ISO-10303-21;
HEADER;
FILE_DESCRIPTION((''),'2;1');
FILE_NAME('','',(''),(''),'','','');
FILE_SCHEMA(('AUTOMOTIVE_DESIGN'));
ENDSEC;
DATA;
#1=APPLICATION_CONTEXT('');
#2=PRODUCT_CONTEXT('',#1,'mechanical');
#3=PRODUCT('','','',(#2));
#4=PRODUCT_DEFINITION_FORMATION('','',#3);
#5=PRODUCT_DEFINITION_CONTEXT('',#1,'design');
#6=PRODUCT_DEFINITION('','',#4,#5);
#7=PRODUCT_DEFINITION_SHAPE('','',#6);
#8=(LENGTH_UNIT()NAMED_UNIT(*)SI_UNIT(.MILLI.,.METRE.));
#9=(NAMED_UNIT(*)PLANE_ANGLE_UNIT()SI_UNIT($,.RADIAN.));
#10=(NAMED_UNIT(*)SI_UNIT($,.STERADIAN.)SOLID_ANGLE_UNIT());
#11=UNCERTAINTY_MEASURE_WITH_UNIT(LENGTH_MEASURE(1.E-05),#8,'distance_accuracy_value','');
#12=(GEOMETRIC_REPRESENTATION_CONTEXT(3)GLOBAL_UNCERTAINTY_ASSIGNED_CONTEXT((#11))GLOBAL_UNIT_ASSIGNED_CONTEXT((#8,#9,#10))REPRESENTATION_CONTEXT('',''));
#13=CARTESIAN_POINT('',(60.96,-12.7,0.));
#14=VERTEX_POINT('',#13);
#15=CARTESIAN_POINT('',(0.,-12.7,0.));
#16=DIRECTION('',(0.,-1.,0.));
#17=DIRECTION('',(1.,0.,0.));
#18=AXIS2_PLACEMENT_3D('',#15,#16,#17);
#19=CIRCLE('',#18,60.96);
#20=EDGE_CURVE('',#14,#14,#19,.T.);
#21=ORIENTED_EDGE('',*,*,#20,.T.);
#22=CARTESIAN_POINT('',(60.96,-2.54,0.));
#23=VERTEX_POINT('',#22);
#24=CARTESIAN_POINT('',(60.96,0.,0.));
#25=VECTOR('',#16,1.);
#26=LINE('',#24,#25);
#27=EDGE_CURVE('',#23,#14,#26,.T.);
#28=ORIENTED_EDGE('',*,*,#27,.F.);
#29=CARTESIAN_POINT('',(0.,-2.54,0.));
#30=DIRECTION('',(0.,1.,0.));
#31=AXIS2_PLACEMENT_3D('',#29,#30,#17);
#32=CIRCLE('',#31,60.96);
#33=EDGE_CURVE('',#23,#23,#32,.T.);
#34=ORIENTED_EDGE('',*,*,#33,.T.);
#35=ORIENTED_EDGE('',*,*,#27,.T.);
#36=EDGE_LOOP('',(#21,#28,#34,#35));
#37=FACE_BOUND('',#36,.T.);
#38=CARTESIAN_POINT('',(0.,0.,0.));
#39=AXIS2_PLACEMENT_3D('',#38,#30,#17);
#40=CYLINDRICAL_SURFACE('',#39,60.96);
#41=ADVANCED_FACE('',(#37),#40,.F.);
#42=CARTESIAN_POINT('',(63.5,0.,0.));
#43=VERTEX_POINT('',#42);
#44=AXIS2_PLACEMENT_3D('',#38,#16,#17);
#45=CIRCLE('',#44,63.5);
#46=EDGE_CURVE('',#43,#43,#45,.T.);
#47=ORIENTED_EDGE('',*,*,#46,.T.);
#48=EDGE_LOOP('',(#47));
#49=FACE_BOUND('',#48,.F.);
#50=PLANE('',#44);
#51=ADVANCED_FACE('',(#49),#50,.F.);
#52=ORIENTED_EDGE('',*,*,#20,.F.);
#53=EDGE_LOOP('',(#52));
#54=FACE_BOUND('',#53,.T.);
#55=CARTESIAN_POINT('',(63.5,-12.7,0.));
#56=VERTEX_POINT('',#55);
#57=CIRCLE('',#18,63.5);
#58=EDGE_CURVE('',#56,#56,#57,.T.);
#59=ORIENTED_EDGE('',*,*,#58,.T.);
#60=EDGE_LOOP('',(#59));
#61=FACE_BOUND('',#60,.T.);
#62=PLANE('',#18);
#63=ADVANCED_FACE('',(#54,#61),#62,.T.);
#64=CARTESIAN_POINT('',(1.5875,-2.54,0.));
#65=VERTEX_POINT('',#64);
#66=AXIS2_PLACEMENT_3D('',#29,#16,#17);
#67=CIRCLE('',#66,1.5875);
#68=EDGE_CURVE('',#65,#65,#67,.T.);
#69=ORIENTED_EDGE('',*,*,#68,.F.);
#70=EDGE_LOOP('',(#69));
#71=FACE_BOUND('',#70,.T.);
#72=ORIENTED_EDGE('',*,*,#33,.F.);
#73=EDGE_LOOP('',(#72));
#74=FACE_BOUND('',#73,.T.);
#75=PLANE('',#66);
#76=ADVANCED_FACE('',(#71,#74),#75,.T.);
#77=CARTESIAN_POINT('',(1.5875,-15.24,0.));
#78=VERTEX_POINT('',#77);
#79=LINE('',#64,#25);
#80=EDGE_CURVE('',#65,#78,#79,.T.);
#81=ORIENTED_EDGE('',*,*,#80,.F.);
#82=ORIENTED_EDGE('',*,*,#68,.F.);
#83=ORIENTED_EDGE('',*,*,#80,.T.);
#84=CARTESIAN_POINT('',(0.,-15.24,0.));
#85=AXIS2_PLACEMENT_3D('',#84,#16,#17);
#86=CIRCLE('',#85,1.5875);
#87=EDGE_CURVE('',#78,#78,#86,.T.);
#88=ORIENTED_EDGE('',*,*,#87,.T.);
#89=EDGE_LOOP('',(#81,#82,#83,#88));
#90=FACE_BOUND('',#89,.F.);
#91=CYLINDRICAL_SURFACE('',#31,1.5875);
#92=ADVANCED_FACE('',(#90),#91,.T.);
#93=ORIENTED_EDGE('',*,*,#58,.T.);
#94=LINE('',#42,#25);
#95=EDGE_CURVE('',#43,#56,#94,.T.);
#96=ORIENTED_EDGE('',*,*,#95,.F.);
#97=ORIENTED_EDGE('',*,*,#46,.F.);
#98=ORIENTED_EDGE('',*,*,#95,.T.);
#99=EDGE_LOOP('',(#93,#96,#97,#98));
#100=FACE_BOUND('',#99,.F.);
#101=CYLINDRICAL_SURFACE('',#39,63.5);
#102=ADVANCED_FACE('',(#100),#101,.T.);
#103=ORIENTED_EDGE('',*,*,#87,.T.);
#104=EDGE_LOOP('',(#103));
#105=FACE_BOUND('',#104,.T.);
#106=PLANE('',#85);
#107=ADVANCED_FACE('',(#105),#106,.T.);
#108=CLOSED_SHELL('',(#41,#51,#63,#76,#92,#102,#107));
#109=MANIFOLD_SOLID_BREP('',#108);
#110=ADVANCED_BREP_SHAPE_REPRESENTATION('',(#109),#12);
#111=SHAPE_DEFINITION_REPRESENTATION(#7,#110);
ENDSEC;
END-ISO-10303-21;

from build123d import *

# Parameters (mm, degrees)
F0_R     = 63.5
F1_DEPTH = 12.7
F2_T     = -2.54
F3_R     = 1.5875
F4_DEPTH = 12.7


with BuildPart() as f1:
    # F0 (on Front) → F1 (new body)
    with BuildSketch(Plane.XZ):
        Circle(F0_R)
    extrude(amount=F1_DEPTH)

    # F2
    f2_openings = [f1.faces().sort_by_distance(p)[0] for p in [
        (0, -12.7, 0),
    ]]
    offset(amount=F2_T, openings=f2_openings)

    # F3 (on face) → F4 (join)
    with BuildSketch(Plane.XZ.offset(2.54)):
        Circle(F3_R)
    extrude(amount=F4_DEPTH)


solid = f1.part
